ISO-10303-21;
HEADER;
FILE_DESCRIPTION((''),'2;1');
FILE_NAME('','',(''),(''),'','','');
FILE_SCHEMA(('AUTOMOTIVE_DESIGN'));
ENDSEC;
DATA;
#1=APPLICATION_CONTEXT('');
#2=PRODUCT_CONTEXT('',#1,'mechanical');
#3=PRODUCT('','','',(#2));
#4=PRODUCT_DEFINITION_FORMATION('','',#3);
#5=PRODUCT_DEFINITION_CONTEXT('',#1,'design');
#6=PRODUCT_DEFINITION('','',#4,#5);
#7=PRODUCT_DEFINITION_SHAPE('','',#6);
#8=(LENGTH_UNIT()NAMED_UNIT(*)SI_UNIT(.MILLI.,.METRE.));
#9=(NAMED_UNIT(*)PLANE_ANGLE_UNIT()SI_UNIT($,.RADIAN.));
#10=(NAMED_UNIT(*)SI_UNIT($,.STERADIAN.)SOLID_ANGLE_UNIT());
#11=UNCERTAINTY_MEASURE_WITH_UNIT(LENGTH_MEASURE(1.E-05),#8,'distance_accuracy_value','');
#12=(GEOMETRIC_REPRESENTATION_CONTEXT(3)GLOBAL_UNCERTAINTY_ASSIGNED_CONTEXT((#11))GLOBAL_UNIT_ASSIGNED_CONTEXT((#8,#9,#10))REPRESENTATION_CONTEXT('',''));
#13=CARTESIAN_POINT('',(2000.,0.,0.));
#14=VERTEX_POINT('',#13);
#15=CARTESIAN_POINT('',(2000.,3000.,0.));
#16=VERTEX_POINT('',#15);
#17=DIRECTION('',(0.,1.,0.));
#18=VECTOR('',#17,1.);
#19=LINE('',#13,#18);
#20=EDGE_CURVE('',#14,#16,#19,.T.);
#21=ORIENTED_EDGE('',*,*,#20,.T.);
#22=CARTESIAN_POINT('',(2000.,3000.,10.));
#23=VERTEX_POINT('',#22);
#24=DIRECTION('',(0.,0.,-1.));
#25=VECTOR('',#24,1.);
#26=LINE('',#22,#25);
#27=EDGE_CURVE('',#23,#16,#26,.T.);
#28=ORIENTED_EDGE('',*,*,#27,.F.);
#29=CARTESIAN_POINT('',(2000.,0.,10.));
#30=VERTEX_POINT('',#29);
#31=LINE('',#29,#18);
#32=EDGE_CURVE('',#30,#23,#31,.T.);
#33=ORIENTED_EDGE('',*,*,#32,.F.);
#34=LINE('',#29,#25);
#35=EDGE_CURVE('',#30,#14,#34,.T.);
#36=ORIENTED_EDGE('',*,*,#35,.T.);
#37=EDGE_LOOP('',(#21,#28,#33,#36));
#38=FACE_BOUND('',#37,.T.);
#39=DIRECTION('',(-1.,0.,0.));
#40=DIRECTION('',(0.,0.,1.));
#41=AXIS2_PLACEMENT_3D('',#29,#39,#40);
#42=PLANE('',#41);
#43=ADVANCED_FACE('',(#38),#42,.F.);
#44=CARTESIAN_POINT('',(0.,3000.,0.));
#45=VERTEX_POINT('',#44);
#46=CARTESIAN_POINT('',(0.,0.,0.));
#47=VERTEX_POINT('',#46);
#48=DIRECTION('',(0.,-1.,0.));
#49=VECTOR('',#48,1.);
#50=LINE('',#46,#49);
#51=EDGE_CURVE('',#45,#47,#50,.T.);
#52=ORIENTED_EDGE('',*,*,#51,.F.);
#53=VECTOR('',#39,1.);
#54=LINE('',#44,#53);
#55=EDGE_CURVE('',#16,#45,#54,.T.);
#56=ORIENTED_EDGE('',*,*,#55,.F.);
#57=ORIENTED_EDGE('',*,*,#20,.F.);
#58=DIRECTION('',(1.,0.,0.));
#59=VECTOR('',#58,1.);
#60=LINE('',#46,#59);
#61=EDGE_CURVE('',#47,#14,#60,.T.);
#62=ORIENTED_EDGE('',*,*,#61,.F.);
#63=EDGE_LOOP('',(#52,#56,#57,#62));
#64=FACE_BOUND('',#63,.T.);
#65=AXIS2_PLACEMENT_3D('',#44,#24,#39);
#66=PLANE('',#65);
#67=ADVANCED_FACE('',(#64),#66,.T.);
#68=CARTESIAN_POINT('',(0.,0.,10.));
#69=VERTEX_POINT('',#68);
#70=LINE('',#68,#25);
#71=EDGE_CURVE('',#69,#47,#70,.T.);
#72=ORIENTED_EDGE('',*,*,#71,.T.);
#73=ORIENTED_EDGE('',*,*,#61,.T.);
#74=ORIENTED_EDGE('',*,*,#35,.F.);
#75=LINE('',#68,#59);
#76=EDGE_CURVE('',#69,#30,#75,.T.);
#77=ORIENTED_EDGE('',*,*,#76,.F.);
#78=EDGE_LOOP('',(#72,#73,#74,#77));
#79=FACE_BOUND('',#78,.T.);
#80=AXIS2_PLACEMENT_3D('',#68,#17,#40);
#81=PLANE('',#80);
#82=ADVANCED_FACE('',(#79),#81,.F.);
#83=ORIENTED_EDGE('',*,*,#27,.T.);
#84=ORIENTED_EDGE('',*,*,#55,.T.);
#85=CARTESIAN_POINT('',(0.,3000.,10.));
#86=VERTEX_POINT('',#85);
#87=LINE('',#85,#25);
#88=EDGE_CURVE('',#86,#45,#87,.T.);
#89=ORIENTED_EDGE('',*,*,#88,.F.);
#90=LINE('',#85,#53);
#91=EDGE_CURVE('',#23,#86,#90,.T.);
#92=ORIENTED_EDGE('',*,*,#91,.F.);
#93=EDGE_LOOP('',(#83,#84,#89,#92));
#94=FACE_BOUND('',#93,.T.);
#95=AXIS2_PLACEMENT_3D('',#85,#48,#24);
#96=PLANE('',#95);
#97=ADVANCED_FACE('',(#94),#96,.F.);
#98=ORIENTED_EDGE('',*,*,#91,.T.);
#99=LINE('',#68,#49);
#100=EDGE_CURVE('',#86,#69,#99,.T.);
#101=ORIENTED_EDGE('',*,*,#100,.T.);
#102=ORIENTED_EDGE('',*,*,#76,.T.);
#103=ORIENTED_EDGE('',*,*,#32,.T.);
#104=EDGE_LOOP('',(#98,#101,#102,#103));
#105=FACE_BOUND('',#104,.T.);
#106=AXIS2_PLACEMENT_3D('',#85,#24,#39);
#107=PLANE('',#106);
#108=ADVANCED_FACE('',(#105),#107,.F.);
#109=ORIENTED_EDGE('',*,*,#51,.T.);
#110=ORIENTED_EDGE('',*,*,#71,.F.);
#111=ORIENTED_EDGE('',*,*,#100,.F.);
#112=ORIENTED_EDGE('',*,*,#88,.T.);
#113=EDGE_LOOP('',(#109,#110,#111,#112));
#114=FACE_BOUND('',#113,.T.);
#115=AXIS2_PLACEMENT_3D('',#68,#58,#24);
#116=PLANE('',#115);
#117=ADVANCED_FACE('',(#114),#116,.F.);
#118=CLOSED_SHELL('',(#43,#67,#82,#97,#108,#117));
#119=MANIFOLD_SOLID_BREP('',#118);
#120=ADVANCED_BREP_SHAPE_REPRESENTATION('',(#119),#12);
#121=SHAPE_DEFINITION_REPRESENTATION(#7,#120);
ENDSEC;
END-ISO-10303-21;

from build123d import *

# Parameters (mm, degrees)
ESQUISSE1_W        = 2000
ESQUISSE1_H        = 3000
BOSS_EXTRU_1_DEPTH = 10


with BuildPart() as part:
    # Esquisse1 → Boss.-Extru.1 (new body)
    with BuildSketch(Plane.XY):
        with Locations((1000, 1500)):
            Rectangle(ESQUISSE1_W, ESQUISSE1_H)
    extrude(amount=BOSS_EXTRU_1_DEPTH)


solid = part.part
